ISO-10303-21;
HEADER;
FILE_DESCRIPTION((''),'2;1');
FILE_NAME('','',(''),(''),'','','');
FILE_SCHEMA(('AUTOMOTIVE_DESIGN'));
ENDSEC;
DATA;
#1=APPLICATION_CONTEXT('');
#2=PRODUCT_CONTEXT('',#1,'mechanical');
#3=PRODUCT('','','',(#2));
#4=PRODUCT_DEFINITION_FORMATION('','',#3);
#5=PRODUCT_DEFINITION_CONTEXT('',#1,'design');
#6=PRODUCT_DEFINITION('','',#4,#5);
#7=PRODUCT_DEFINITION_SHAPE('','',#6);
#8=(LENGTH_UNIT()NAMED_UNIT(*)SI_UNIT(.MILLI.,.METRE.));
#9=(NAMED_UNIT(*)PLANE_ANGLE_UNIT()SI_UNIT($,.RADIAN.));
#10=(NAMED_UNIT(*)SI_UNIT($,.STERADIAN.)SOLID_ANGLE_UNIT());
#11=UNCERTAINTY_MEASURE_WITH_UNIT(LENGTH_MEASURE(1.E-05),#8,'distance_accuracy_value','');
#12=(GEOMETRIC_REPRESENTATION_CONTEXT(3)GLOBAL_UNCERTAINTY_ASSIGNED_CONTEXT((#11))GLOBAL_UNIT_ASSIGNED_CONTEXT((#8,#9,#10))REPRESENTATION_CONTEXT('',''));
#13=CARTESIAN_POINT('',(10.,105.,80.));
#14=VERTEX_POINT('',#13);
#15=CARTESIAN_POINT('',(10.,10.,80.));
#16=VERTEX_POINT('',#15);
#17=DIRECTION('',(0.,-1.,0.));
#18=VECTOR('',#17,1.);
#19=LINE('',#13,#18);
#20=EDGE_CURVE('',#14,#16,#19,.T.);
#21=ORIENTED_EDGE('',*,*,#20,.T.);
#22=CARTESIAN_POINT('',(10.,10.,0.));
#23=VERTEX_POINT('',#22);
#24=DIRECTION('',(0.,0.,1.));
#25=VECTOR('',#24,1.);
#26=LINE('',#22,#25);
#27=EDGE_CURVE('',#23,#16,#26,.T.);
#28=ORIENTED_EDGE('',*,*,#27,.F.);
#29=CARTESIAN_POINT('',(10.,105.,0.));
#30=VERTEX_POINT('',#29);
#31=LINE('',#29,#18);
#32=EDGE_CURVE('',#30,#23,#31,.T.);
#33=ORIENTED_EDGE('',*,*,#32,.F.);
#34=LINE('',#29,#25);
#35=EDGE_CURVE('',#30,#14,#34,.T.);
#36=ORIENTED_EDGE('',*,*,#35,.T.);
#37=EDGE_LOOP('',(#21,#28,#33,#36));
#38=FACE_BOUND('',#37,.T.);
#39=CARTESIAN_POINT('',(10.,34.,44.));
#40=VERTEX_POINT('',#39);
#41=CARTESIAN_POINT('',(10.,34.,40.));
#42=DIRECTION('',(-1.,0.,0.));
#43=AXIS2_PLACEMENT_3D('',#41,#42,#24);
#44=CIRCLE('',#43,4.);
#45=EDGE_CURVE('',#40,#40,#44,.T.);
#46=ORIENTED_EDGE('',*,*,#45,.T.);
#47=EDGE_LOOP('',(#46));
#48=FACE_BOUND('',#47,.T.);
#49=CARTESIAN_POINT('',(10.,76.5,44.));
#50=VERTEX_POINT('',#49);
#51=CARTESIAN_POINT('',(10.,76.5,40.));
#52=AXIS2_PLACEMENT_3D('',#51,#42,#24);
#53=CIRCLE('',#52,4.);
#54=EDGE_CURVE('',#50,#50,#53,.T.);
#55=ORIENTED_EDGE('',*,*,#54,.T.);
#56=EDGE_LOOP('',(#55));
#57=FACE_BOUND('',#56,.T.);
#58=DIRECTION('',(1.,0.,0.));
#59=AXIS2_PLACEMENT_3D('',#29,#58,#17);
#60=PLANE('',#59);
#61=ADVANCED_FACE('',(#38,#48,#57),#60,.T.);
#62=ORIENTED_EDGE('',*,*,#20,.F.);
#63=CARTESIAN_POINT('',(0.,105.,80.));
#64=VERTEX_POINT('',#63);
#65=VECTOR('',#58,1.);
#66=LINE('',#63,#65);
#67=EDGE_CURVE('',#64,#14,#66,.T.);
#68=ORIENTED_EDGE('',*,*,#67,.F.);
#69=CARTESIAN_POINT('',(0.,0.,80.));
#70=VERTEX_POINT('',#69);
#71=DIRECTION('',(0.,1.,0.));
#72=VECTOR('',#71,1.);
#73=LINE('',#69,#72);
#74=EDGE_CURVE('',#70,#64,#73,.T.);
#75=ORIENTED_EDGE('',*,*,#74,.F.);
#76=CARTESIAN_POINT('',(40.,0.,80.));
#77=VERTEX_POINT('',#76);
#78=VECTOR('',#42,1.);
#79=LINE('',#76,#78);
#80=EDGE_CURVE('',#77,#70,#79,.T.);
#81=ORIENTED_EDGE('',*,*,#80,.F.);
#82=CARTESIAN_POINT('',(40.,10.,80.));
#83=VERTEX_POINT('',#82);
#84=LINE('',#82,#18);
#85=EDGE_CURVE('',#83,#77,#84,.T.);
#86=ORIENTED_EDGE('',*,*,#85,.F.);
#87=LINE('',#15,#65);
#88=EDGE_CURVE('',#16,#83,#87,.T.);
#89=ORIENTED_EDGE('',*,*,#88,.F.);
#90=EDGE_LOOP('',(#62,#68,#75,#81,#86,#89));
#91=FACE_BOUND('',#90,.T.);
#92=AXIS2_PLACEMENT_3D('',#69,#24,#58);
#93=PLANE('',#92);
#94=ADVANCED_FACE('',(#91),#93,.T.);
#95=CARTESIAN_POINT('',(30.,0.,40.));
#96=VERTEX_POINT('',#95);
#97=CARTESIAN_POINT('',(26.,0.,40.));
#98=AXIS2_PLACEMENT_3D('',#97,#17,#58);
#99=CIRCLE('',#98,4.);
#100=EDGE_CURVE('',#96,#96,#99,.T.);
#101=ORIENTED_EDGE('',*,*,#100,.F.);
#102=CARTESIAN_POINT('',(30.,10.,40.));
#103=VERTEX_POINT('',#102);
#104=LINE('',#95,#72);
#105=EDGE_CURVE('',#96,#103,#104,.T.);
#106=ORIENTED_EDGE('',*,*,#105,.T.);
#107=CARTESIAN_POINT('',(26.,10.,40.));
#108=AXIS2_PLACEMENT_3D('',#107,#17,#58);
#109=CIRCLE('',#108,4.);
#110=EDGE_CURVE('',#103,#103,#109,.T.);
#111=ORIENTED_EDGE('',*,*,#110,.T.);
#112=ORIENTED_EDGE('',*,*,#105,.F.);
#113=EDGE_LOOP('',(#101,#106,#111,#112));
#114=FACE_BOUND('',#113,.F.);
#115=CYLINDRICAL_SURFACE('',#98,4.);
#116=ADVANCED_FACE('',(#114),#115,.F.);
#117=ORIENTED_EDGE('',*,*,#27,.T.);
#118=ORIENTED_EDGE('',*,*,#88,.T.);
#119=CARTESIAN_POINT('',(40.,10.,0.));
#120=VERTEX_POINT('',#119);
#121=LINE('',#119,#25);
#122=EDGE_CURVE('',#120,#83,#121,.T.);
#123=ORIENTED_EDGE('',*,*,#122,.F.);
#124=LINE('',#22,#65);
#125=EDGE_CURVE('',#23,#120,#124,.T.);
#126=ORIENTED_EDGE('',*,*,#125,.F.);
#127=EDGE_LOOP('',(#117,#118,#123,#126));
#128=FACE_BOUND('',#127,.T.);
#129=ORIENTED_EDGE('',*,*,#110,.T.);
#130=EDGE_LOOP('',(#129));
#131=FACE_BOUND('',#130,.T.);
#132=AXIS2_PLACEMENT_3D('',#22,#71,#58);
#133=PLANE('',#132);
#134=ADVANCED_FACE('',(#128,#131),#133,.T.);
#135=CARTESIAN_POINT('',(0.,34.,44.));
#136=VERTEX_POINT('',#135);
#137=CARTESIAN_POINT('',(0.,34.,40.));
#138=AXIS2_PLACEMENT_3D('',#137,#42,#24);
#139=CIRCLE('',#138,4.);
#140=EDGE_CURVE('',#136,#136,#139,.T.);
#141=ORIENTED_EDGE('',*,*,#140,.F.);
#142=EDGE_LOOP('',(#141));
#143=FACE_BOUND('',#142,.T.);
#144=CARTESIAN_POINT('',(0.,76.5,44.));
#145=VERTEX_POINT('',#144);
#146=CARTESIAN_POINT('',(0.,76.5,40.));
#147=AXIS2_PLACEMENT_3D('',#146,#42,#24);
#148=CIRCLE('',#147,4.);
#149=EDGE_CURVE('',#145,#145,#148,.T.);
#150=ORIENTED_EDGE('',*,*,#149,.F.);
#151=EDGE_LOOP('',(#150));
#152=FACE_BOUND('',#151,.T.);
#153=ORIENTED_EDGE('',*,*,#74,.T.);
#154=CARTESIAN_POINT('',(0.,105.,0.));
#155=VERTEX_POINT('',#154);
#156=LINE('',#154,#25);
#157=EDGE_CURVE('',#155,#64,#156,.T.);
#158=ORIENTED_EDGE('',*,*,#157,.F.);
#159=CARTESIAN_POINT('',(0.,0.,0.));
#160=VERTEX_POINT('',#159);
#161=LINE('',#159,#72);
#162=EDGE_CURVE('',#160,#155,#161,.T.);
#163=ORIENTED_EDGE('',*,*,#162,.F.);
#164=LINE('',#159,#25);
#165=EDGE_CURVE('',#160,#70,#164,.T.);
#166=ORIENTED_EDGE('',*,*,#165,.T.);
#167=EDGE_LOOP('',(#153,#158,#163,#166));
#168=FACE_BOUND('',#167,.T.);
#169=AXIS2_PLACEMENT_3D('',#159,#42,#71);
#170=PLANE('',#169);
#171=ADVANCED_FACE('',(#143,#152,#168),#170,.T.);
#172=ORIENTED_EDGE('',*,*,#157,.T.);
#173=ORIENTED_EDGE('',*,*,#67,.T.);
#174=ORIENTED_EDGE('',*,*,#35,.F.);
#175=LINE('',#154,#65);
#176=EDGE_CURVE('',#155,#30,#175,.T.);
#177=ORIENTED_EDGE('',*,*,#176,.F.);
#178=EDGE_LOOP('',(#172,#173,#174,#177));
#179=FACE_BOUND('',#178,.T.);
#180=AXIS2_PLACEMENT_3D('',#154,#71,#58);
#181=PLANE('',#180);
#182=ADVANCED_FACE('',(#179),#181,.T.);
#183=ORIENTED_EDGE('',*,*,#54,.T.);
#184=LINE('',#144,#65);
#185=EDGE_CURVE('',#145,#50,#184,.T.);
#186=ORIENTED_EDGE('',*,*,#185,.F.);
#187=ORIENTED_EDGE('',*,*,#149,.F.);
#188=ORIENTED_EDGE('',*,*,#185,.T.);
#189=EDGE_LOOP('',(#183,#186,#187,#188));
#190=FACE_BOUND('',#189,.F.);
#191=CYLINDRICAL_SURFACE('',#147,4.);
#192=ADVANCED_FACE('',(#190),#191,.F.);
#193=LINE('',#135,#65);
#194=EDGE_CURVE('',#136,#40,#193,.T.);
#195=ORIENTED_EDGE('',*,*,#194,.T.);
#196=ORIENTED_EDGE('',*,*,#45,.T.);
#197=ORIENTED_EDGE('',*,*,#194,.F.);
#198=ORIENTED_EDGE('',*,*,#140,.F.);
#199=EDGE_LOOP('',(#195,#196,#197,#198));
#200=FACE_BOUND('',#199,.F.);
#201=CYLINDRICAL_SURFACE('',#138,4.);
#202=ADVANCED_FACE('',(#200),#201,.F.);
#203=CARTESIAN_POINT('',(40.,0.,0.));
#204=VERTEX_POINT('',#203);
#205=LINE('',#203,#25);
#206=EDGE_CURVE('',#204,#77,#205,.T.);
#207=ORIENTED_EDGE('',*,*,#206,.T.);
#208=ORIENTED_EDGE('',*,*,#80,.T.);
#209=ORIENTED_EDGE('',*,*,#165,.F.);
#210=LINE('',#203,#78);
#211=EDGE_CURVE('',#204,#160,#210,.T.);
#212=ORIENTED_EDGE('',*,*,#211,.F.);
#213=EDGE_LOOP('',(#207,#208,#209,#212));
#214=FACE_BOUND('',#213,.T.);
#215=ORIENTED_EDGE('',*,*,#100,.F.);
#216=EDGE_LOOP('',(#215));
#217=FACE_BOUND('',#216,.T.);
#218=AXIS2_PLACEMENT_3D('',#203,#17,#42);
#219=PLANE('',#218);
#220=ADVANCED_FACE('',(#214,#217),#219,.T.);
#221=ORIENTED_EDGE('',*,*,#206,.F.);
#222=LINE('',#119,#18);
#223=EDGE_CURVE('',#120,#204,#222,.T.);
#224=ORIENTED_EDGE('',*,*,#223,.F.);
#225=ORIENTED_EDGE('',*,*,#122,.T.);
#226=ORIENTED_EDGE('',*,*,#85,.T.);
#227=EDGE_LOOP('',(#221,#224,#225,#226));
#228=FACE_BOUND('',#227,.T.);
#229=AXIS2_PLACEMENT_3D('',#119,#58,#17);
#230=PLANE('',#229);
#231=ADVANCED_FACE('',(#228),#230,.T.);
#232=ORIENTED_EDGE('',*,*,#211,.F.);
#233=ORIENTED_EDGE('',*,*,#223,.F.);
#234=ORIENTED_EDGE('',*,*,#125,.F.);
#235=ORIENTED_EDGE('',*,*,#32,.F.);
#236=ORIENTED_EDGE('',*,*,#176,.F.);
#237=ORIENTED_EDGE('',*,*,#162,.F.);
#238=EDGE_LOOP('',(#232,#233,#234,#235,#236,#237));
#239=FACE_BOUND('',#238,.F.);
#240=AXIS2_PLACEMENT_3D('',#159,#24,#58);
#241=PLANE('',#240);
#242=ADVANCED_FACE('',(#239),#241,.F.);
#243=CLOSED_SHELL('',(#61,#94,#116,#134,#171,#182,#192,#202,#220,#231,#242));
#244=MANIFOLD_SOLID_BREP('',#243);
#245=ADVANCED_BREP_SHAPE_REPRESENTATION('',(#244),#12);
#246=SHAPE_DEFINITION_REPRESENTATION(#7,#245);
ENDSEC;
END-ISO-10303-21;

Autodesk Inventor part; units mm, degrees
ref_plane "YZ Plane" through (0, 0, 0) normal (1, 0, 0) x (0, 1, 0)
ref_plane "XZ Plane" through (0, 0, 0) normal (0, 1, 0) x (-1, 0, 0)
ref_plane "XY Plane" through (0, 0, 0) normal (0, 0, 1) x (1, 0, 0)
sketch "Sketch1" plane through (0, 0, 0) normal (0, 0, 1) x (1, 0, 0)
  line L0 (0, 0) -> (0, 105)
  line L1 (0, 105) -> (10, 105)
  line L2 (10, 105) -> (10, 10)
  line L3 (10, 10) -> (40, 10)
  line L4 (40, 10) -> (40, 0)
  line L5 (40, 0) -> (0, 0)
  dimension "d0" = 105
  dimension "d1" = 10
  dimension "d2" = 95
  dimension "d3" = 30
  dimension "d4" = 10
  dimension "d5" = 40
extrude "Extrusion1" add sketch "Sketch1" along normal blind 80
sketch "Sketch2" plane through (0, 0, 0) normal (-1, 0, 0) x (0, 0, 1)
  circle A0 centre (40, 34) radius 4
  line L0 (0, 0) -> (80, 0) projected
  line L1 (0, 105) -> (0, 0) projected
  dimension "d8" = 8
  dimension "d9" = 34
  dimension "d10" = 40
extrude "Extrusion2" cut sketch "Sketch2" against normal blind 10
pattern_linear "Rectangular Pattern1" count 2 spacing 42.5 along (0, 1, 0) of "Extrusion2"
sketch "Sketch3" plane through (0, 0, 0) normal (0, -1, 0) x (1, 0, 0)
  circle A0 centre (26, 40) radius 4
  line L0 (0, 0) -> (0, 80) projected
  line L1 (0, 80) -> (40, 80) projected
  dimension "d16" = 8
  dimension "d17" = 26
  dimension "d18" = 40
extrude "Extrusion3" cut sketch "Sketch3" against normal blind 10
properties part number "Support_Plate"
